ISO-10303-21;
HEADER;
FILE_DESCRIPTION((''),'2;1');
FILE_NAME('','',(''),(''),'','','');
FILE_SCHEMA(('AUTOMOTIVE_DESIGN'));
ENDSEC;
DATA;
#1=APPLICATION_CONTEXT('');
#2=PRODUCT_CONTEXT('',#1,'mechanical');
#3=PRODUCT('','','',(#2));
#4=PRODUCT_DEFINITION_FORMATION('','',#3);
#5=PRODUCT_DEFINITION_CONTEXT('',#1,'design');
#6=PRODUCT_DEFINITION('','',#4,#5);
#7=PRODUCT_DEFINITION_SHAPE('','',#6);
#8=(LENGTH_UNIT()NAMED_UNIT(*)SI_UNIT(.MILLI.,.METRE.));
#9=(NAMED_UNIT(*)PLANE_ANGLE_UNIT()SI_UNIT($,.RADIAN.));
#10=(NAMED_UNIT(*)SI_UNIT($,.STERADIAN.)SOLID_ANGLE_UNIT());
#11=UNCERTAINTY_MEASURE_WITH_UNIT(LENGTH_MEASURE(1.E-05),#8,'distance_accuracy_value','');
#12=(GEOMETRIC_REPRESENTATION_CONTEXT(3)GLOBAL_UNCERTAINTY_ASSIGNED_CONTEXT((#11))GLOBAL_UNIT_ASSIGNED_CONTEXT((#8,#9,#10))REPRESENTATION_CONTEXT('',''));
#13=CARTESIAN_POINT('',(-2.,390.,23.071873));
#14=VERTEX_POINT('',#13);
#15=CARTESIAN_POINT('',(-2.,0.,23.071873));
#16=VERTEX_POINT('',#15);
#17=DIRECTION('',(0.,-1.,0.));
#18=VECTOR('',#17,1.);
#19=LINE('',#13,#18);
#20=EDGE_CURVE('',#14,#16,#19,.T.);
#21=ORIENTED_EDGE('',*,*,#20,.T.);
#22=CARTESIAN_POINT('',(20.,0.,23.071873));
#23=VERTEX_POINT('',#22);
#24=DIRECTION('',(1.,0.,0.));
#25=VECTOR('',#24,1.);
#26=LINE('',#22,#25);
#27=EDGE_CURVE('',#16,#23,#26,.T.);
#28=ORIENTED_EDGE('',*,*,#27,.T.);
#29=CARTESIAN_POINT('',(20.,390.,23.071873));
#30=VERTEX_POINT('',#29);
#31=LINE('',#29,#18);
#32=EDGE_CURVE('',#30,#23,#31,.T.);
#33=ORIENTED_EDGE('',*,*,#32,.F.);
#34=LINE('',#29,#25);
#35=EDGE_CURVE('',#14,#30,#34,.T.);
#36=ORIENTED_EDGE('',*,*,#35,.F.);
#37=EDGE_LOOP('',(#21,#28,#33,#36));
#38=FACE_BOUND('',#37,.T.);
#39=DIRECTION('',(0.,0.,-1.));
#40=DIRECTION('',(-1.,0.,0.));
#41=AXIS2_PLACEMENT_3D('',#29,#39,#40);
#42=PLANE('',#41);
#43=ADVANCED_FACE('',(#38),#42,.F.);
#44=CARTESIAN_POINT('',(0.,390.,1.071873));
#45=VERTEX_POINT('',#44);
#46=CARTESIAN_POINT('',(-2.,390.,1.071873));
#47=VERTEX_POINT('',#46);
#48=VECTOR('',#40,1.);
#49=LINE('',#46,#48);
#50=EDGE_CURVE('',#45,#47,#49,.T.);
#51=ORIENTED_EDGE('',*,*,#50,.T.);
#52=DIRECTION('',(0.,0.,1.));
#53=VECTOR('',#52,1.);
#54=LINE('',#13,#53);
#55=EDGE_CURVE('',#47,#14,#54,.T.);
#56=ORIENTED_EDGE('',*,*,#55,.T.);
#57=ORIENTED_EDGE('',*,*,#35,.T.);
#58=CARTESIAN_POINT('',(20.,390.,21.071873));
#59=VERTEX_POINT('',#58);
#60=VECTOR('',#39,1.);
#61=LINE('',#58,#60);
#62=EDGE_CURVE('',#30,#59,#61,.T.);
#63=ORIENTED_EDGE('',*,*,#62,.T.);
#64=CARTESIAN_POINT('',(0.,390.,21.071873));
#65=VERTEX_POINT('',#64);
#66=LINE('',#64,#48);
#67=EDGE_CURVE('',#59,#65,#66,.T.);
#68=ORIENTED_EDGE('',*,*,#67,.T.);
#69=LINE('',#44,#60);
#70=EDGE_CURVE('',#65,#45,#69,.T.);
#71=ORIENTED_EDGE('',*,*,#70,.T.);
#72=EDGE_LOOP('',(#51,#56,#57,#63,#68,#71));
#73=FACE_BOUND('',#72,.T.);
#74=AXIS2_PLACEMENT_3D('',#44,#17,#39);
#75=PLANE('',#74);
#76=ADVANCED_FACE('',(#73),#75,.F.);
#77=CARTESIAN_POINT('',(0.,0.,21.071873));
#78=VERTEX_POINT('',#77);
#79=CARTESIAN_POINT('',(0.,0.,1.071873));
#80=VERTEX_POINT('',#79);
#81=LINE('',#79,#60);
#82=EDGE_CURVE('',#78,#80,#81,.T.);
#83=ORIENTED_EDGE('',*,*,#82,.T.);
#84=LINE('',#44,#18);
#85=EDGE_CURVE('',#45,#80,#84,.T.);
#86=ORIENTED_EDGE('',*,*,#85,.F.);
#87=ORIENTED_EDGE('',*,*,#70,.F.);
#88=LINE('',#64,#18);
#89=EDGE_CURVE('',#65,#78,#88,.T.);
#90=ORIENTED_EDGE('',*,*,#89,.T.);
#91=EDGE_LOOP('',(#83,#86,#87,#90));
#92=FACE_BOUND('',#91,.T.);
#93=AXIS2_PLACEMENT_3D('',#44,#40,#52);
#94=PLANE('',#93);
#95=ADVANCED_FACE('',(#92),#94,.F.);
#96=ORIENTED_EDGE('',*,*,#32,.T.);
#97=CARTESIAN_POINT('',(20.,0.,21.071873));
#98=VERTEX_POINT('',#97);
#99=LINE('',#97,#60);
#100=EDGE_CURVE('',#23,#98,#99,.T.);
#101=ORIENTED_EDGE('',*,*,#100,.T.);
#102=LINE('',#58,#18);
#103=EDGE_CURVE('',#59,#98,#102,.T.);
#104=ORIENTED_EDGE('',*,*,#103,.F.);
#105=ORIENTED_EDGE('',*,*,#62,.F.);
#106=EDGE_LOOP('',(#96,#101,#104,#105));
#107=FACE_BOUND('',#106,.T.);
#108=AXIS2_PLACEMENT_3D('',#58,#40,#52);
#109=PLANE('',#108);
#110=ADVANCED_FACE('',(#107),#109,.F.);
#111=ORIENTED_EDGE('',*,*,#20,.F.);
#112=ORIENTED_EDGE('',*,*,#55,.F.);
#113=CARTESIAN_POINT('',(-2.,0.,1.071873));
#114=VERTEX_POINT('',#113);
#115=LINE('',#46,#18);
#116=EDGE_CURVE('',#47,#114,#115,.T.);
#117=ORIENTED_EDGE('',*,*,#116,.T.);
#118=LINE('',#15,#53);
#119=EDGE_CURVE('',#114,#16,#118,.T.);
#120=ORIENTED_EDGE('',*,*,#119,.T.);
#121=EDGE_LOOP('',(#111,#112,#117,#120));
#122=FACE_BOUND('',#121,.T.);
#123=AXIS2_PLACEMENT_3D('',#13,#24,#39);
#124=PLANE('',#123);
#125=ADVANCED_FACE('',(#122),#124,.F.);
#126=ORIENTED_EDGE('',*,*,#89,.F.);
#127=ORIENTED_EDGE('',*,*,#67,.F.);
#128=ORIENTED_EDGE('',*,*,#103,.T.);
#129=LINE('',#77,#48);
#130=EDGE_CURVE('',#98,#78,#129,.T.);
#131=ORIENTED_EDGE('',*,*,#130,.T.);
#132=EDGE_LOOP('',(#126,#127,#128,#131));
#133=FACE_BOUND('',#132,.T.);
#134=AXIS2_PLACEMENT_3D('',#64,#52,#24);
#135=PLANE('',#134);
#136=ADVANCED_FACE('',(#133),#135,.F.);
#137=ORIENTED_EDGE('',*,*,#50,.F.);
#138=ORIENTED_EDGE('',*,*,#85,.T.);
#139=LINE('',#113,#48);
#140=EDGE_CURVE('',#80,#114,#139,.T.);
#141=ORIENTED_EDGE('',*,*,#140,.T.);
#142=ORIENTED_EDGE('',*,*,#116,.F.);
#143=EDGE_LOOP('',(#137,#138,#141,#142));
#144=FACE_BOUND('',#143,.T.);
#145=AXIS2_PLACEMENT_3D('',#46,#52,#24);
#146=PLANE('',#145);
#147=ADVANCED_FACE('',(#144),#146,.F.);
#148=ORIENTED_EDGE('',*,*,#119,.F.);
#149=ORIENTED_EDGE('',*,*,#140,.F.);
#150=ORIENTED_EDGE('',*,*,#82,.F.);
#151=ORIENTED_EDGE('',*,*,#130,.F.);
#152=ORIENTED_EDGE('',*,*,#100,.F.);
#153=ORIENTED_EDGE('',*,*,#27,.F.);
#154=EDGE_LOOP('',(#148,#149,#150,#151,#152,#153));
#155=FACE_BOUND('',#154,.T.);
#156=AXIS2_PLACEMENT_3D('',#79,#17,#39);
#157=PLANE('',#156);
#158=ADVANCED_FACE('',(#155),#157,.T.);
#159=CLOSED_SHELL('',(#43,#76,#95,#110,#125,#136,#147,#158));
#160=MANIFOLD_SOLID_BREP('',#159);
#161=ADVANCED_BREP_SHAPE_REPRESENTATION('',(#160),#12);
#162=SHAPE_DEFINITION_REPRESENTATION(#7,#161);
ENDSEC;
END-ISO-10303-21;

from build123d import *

# Parameters (mm, degrees)
EXTRUDE_1_DEPTH = 390


with BuildPart() as part:
    # Эскиз1 → Вытянуть1 (new body)
    with BuildSketch(Plane(origin=(0, 0, 0), x_dir=(1, 0, 0), z_dir=(0, 1, 0))):
        Polygon((0, -1.071873395), (0, -21.071873395), (20, -21.071873395), (20, -23.071873395), (-2, -23.071873395), (-2, -1.071873395), align=None)
    extrude(amount=EXTRUDE_1_DEPTH)


solid = part.part
